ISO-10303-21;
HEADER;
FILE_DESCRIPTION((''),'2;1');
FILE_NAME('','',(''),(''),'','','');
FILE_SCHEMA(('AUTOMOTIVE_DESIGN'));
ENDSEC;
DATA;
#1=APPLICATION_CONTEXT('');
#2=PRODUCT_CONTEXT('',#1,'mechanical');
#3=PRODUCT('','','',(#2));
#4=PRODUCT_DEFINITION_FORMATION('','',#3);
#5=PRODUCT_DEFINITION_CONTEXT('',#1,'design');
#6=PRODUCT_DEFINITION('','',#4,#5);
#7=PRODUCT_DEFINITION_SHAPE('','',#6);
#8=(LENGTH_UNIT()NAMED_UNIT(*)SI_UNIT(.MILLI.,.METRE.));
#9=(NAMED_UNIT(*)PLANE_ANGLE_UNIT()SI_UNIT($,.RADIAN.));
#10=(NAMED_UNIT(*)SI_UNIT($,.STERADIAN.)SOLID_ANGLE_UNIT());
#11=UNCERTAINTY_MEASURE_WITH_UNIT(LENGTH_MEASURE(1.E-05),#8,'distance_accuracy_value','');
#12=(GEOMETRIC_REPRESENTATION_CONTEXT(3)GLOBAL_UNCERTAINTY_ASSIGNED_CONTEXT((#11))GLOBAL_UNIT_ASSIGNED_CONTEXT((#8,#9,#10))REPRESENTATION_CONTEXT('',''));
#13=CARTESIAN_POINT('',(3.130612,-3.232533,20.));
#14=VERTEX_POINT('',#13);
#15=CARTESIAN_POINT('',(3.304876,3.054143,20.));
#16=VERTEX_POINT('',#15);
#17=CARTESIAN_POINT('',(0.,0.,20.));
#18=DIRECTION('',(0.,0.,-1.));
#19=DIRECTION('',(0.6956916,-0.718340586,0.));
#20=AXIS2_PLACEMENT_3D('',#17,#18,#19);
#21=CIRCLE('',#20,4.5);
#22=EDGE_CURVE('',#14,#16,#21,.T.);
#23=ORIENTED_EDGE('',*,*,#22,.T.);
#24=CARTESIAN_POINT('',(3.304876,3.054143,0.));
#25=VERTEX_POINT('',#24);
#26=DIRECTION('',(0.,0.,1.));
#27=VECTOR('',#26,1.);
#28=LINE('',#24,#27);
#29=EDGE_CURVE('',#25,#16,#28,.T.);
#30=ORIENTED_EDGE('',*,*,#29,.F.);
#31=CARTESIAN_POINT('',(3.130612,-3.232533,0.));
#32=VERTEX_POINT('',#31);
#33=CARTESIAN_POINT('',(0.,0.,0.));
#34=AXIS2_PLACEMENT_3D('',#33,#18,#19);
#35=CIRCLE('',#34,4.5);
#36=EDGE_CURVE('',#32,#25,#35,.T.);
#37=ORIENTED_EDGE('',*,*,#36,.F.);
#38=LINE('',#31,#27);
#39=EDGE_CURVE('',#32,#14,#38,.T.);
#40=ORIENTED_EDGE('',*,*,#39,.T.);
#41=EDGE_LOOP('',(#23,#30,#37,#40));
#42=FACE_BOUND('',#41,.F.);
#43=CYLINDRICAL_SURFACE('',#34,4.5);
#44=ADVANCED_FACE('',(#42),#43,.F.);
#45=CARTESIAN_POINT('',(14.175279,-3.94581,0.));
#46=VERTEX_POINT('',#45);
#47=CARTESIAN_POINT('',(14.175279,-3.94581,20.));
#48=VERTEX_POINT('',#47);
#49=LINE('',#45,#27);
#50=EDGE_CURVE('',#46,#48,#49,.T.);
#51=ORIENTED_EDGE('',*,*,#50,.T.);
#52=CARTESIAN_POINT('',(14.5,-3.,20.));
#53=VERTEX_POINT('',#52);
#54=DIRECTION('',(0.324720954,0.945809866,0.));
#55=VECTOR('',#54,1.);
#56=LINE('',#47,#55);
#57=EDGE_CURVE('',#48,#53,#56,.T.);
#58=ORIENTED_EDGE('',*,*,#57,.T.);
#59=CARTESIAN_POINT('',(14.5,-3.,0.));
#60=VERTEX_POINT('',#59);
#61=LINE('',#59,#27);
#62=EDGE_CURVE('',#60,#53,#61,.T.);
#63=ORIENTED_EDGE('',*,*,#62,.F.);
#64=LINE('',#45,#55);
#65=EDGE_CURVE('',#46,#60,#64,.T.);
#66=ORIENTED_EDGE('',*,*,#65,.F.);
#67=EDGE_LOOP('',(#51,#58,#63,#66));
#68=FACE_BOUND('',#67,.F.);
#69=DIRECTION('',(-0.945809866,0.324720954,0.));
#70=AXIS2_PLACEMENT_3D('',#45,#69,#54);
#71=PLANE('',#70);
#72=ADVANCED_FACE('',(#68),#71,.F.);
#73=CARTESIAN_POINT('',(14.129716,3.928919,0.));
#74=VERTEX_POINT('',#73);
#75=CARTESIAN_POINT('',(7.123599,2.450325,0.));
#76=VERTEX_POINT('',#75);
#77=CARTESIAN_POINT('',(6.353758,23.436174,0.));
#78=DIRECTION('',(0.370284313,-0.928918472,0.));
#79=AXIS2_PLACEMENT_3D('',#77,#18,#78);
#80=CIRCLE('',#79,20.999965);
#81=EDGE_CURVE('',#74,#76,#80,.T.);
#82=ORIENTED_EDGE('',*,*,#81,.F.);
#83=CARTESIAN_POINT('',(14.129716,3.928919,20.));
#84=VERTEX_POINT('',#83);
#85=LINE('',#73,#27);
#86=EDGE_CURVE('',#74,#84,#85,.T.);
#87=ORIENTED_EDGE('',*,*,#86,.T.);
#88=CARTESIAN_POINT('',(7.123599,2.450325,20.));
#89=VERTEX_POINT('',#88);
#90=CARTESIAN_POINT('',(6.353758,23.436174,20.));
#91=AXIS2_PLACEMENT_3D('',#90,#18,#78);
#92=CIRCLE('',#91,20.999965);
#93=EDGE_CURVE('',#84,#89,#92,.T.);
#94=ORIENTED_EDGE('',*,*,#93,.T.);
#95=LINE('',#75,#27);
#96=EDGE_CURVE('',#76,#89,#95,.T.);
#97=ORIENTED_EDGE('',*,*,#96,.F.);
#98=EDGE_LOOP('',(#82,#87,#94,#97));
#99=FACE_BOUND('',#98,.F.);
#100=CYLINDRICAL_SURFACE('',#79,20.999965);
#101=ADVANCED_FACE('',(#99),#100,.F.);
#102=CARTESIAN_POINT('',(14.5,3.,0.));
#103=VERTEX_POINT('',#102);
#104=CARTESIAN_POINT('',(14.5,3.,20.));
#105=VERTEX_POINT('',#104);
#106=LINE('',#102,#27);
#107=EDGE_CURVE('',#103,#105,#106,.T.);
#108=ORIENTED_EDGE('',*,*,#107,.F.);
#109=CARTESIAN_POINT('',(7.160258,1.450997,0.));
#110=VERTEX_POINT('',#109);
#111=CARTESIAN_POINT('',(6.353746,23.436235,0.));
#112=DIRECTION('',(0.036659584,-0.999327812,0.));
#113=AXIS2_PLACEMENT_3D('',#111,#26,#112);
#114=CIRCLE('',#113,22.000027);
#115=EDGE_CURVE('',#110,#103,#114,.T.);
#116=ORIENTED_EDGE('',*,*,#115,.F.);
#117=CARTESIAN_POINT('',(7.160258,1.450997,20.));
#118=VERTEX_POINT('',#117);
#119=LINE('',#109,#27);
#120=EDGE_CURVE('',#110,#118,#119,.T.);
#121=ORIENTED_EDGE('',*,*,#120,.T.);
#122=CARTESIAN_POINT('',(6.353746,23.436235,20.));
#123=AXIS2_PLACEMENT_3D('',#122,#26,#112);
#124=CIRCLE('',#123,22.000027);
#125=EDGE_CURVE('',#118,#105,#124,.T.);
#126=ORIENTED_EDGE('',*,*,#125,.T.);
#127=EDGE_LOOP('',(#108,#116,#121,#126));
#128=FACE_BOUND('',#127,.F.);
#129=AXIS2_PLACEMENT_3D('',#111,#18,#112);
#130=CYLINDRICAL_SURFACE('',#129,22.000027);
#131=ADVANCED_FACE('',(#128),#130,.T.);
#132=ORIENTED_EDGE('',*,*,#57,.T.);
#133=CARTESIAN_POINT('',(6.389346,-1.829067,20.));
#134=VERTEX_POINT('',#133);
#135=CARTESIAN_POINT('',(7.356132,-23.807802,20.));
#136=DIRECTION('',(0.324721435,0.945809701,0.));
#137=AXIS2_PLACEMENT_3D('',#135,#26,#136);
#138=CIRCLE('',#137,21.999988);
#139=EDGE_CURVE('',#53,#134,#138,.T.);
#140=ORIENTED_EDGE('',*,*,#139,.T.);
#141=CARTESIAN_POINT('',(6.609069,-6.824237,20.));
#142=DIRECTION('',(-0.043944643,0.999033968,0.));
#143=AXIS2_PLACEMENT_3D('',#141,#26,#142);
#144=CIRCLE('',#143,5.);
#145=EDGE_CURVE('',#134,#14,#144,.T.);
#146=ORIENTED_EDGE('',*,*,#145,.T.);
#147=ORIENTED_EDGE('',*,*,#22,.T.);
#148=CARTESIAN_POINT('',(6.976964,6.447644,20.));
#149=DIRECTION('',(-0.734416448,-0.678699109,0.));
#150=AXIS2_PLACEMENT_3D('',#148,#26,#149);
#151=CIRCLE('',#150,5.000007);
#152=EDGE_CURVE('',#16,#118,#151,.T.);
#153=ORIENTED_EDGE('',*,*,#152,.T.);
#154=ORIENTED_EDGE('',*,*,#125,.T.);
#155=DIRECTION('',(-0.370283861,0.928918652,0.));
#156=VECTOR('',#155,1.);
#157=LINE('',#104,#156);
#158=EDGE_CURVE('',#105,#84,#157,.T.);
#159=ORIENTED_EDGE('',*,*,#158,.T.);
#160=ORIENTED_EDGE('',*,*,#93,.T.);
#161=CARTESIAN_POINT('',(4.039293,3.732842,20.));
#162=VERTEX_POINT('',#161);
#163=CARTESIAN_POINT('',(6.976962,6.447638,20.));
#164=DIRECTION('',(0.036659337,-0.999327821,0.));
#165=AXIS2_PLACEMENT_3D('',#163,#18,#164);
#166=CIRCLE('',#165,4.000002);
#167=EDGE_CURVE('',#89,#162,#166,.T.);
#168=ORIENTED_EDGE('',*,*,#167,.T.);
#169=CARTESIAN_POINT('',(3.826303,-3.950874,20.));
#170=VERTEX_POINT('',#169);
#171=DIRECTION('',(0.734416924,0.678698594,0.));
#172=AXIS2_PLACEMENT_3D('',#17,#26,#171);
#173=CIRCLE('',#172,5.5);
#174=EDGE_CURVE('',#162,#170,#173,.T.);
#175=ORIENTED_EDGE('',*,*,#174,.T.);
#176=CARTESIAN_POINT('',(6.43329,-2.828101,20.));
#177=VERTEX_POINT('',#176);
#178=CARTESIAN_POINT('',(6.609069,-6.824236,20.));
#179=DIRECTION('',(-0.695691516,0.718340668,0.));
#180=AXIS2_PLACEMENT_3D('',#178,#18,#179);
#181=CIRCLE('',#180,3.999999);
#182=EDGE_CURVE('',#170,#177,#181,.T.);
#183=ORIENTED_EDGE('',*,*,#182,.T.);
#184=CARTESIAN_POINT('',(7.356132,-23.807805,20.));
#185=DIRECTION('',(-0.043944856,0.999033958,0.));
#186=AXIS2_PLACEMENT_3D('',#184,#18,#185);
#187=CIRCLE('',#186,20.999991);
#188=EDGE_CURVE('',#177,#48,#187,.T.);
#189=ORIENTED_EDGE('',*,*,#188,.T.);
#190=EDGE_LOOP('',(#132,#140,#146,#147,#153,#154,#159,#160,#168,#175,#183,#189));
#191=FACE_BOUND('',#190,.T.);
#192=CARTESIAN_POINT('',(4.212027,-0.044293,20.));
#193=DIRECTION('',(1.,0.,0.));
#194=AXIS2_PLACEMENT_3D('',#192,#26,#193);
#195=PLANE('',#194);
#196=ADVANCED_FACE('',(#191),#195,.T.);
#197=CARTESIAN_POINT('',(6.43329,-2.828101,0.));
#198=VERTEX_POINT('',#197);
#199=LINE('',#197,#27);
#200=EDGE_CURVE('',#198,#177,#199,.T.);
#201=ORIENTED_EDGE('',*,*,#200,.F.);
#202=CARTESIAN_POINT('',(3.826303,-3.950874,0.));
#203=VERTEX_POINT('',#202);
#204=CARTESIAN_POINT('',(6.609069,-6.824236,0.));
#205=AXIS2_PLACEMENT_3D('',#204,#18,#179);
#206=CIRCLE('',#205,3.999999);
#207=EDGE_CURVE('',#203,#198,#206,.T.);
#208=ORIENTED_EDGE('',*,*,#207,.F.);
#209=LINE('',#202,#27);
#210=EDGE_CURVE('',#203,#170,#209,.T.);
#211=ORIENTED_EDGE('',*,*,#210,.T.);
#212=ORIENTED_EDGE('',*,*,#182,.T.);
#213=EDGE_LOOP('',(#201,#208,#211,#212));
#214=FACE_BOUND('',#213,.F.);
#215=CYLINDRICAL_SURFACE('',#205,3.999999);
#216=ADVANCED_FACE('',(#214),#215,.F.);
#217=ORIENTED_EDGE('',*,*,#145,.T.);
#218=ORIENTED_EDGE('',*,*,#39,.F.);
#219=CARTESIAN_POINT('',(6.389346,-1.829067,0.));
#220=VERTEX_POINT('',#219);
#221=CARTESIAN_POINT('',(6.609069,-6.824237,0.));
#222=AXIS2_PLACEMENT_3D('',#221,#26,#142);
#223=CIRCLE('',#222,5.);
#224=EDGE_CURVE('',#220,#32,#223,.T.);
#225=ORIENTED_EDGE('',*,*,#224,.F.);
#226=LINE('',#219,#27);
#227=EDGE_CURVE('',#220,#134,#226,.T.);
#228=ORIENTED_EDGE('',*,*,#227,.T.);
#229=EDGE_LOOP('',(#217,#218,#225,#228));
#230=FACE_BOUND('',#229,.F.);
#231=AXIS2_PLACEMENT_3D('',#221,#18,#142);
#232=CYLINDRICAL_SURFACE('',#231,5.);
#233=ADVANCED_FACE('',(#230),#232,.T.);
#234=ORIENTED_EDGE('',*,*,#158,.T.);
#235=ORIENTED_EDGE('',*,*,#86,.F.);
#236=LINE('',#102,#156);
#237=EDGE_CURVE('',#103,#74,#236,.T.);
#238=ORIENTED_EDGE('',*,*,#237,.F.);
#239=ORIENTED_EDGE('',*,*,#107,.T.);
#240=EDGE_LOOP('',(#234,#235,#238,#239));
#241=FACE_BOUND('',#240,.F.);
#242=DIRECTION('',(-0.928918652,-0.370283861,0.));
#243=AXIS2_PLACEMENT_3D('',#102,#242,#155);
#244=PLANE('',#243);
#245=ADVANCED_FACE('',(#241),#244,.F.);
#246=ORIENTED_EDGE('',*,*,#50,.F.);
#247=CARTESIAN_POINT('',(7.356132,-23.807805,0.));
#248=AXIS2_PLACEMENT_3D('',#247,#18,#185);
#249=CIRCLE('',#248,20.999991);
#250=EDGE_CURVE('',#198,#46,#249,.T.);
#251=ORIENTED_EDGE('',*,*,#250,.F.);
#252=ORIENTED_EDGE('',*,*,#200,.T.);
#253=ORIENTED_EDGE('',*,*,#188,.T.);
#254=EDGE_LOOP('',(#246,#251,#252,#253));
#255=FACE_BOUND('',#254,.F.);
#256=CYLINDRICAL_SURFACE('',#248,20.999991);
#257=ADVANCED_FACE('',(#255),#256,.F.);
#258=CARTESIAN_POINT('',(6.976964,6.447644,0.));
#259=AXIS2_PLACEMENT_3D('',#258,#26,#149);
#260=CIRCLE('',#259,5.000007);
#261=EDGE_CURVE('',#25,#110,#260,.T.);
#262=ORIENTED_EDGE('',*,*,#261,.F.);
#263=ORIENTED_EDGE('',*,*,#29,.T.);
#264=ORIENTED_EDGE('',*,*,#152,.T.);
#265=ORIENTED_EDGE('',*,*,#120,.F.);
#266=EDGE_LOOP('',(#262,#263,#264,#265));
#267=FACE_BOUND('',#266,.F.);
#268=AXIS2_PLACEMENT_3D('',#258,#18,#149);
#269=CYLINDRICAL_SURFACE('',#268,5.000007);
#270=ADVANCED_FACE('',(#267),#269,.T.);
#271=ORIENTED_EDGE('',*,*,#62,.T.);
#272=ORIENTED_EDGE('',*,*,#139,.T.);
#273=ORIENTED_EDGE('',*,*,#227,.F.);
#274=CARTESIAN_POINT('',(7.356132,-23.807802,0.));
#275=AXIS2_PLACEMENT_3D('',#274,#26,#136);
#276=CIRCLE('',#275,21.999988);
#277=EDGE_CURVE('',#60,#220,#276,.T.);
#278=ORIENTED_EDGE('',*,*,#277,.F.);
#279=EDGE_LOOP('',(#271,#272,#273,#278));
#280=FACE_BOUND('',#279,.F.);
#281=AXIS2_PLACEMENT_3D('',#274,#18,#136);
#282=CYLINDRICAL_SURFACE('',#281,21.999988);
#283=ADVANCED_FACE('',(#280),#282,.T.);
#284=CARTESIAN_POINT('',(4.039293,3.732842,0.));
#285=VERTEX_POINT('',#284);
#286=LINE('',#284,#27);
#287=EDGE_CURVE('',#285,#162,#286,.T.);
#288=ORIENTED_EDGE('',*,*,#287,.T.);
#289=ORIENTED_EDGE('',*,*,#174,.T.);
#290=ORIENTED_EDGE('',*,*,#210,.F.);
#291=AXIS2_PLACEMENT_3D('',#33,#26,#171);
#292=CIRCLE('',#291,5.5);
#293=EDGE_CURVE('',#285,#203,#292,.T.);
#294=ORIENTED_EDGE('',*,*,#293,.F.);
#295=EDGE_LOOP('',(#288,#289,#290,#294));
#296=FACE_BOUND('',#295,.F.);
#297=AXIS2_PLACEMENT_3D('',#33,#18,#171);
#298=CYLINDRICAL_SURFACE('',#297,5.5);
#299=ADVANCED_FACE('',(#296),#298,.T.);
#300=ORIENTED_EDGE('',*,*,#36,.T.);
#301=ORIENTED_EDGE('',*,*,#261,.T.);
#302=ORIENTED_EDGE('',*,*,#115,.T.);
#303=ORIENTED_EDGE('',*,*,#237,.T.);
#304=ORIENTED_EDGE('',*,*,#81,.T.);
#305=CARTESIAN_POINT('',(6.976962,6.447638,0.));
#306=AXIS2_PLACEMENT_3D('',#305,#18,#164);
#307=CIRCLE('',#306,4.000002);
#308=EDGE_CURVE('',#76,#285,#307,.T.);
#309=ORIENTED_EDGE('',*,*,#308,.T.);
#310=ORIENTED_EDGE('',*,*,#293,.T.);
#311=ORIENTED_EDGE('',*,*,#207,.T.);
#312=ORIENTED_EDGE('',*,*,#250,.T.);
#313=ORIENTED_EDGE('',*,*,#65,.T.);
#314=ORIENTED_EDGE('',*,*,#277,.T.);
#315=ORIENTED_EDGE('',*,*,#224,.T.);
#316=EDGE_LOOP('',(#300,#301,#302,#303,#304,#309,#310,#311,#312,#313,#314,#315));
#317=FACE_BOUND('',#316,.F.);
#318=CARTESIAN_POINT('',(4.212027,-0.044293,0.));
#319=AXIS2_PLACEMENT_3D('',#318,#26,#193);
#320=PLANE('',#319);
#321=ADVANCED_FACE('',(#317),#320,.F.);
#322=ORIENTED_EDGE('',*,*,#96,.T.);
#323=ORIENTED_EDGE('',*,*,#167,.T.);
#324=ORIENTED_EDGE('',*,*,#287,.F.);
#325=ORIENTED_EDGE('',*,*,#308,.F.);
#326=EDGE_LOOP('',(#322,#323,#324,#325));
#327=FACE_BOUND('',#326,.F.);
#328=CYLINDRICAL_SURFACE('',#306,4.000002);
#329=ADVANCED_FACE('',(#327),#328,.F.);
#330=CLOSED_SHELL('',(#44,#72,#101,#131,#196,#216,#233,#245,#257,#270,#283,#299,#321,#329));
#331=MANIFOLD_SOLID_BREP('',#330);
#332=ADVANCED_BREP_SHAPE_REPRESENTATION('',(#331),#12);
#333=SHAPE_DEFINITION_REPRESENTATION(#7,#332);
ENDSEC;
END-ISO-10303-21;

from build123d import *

# Parameters (mm, degrees)
F1_DEPTH = 20


with BuildPart() as f1:
    # F0 (on Top) → F1 (new body)
    with BuildSketch(Plane.XY):
        with BuildLine():
            ThreePointArc((3.130612, -3.232533), (-4.498272, 0.124691), (3.304876, 3.054143))
            ThreePointArc((3.304876, 3.054143), (5.057214, 1.830866), (7.160258, 1.450997))
            ThreePointArc((7.160258, 1.450997), (10.896637, 1.91036), (14.5, 3))
            Line((14.5, 3), (14.129716, 3.928919))
            ThreePointArc((14.129716, 3.928919), (10.690142, 2.888807), (7.123599, 2.450325))
            ThreePointArc((7.123599, 2.450325), (5.441163, 2.75422), (4.039293, 3.732842))
            ThreePointArc((4.039293, 3.732842), (-5.497888, 0.1524), (3.826303, -3.950874))
            ThreePointArc((3.826303, -3.950874), (5.026855, -3.150465), (6.43329, -2.828101))
            ThreePointArc((6.43329, -2.828101), (10.356786, -3.023299), (14.175279, -3.94581))
            Line((14.175279, -3.94581), (14.5, -3))
            ThreePointArc((14.5, -3), (10.499674, -2.03356), (6.389346, -1.829067))
            ThreePointArc((6.389346, -1.829067), (4.631302, -2.232022), (3.130612, -3.232533))
        make_face()
    extrude(amount=F1_DEPTH)


solid = f1.part
